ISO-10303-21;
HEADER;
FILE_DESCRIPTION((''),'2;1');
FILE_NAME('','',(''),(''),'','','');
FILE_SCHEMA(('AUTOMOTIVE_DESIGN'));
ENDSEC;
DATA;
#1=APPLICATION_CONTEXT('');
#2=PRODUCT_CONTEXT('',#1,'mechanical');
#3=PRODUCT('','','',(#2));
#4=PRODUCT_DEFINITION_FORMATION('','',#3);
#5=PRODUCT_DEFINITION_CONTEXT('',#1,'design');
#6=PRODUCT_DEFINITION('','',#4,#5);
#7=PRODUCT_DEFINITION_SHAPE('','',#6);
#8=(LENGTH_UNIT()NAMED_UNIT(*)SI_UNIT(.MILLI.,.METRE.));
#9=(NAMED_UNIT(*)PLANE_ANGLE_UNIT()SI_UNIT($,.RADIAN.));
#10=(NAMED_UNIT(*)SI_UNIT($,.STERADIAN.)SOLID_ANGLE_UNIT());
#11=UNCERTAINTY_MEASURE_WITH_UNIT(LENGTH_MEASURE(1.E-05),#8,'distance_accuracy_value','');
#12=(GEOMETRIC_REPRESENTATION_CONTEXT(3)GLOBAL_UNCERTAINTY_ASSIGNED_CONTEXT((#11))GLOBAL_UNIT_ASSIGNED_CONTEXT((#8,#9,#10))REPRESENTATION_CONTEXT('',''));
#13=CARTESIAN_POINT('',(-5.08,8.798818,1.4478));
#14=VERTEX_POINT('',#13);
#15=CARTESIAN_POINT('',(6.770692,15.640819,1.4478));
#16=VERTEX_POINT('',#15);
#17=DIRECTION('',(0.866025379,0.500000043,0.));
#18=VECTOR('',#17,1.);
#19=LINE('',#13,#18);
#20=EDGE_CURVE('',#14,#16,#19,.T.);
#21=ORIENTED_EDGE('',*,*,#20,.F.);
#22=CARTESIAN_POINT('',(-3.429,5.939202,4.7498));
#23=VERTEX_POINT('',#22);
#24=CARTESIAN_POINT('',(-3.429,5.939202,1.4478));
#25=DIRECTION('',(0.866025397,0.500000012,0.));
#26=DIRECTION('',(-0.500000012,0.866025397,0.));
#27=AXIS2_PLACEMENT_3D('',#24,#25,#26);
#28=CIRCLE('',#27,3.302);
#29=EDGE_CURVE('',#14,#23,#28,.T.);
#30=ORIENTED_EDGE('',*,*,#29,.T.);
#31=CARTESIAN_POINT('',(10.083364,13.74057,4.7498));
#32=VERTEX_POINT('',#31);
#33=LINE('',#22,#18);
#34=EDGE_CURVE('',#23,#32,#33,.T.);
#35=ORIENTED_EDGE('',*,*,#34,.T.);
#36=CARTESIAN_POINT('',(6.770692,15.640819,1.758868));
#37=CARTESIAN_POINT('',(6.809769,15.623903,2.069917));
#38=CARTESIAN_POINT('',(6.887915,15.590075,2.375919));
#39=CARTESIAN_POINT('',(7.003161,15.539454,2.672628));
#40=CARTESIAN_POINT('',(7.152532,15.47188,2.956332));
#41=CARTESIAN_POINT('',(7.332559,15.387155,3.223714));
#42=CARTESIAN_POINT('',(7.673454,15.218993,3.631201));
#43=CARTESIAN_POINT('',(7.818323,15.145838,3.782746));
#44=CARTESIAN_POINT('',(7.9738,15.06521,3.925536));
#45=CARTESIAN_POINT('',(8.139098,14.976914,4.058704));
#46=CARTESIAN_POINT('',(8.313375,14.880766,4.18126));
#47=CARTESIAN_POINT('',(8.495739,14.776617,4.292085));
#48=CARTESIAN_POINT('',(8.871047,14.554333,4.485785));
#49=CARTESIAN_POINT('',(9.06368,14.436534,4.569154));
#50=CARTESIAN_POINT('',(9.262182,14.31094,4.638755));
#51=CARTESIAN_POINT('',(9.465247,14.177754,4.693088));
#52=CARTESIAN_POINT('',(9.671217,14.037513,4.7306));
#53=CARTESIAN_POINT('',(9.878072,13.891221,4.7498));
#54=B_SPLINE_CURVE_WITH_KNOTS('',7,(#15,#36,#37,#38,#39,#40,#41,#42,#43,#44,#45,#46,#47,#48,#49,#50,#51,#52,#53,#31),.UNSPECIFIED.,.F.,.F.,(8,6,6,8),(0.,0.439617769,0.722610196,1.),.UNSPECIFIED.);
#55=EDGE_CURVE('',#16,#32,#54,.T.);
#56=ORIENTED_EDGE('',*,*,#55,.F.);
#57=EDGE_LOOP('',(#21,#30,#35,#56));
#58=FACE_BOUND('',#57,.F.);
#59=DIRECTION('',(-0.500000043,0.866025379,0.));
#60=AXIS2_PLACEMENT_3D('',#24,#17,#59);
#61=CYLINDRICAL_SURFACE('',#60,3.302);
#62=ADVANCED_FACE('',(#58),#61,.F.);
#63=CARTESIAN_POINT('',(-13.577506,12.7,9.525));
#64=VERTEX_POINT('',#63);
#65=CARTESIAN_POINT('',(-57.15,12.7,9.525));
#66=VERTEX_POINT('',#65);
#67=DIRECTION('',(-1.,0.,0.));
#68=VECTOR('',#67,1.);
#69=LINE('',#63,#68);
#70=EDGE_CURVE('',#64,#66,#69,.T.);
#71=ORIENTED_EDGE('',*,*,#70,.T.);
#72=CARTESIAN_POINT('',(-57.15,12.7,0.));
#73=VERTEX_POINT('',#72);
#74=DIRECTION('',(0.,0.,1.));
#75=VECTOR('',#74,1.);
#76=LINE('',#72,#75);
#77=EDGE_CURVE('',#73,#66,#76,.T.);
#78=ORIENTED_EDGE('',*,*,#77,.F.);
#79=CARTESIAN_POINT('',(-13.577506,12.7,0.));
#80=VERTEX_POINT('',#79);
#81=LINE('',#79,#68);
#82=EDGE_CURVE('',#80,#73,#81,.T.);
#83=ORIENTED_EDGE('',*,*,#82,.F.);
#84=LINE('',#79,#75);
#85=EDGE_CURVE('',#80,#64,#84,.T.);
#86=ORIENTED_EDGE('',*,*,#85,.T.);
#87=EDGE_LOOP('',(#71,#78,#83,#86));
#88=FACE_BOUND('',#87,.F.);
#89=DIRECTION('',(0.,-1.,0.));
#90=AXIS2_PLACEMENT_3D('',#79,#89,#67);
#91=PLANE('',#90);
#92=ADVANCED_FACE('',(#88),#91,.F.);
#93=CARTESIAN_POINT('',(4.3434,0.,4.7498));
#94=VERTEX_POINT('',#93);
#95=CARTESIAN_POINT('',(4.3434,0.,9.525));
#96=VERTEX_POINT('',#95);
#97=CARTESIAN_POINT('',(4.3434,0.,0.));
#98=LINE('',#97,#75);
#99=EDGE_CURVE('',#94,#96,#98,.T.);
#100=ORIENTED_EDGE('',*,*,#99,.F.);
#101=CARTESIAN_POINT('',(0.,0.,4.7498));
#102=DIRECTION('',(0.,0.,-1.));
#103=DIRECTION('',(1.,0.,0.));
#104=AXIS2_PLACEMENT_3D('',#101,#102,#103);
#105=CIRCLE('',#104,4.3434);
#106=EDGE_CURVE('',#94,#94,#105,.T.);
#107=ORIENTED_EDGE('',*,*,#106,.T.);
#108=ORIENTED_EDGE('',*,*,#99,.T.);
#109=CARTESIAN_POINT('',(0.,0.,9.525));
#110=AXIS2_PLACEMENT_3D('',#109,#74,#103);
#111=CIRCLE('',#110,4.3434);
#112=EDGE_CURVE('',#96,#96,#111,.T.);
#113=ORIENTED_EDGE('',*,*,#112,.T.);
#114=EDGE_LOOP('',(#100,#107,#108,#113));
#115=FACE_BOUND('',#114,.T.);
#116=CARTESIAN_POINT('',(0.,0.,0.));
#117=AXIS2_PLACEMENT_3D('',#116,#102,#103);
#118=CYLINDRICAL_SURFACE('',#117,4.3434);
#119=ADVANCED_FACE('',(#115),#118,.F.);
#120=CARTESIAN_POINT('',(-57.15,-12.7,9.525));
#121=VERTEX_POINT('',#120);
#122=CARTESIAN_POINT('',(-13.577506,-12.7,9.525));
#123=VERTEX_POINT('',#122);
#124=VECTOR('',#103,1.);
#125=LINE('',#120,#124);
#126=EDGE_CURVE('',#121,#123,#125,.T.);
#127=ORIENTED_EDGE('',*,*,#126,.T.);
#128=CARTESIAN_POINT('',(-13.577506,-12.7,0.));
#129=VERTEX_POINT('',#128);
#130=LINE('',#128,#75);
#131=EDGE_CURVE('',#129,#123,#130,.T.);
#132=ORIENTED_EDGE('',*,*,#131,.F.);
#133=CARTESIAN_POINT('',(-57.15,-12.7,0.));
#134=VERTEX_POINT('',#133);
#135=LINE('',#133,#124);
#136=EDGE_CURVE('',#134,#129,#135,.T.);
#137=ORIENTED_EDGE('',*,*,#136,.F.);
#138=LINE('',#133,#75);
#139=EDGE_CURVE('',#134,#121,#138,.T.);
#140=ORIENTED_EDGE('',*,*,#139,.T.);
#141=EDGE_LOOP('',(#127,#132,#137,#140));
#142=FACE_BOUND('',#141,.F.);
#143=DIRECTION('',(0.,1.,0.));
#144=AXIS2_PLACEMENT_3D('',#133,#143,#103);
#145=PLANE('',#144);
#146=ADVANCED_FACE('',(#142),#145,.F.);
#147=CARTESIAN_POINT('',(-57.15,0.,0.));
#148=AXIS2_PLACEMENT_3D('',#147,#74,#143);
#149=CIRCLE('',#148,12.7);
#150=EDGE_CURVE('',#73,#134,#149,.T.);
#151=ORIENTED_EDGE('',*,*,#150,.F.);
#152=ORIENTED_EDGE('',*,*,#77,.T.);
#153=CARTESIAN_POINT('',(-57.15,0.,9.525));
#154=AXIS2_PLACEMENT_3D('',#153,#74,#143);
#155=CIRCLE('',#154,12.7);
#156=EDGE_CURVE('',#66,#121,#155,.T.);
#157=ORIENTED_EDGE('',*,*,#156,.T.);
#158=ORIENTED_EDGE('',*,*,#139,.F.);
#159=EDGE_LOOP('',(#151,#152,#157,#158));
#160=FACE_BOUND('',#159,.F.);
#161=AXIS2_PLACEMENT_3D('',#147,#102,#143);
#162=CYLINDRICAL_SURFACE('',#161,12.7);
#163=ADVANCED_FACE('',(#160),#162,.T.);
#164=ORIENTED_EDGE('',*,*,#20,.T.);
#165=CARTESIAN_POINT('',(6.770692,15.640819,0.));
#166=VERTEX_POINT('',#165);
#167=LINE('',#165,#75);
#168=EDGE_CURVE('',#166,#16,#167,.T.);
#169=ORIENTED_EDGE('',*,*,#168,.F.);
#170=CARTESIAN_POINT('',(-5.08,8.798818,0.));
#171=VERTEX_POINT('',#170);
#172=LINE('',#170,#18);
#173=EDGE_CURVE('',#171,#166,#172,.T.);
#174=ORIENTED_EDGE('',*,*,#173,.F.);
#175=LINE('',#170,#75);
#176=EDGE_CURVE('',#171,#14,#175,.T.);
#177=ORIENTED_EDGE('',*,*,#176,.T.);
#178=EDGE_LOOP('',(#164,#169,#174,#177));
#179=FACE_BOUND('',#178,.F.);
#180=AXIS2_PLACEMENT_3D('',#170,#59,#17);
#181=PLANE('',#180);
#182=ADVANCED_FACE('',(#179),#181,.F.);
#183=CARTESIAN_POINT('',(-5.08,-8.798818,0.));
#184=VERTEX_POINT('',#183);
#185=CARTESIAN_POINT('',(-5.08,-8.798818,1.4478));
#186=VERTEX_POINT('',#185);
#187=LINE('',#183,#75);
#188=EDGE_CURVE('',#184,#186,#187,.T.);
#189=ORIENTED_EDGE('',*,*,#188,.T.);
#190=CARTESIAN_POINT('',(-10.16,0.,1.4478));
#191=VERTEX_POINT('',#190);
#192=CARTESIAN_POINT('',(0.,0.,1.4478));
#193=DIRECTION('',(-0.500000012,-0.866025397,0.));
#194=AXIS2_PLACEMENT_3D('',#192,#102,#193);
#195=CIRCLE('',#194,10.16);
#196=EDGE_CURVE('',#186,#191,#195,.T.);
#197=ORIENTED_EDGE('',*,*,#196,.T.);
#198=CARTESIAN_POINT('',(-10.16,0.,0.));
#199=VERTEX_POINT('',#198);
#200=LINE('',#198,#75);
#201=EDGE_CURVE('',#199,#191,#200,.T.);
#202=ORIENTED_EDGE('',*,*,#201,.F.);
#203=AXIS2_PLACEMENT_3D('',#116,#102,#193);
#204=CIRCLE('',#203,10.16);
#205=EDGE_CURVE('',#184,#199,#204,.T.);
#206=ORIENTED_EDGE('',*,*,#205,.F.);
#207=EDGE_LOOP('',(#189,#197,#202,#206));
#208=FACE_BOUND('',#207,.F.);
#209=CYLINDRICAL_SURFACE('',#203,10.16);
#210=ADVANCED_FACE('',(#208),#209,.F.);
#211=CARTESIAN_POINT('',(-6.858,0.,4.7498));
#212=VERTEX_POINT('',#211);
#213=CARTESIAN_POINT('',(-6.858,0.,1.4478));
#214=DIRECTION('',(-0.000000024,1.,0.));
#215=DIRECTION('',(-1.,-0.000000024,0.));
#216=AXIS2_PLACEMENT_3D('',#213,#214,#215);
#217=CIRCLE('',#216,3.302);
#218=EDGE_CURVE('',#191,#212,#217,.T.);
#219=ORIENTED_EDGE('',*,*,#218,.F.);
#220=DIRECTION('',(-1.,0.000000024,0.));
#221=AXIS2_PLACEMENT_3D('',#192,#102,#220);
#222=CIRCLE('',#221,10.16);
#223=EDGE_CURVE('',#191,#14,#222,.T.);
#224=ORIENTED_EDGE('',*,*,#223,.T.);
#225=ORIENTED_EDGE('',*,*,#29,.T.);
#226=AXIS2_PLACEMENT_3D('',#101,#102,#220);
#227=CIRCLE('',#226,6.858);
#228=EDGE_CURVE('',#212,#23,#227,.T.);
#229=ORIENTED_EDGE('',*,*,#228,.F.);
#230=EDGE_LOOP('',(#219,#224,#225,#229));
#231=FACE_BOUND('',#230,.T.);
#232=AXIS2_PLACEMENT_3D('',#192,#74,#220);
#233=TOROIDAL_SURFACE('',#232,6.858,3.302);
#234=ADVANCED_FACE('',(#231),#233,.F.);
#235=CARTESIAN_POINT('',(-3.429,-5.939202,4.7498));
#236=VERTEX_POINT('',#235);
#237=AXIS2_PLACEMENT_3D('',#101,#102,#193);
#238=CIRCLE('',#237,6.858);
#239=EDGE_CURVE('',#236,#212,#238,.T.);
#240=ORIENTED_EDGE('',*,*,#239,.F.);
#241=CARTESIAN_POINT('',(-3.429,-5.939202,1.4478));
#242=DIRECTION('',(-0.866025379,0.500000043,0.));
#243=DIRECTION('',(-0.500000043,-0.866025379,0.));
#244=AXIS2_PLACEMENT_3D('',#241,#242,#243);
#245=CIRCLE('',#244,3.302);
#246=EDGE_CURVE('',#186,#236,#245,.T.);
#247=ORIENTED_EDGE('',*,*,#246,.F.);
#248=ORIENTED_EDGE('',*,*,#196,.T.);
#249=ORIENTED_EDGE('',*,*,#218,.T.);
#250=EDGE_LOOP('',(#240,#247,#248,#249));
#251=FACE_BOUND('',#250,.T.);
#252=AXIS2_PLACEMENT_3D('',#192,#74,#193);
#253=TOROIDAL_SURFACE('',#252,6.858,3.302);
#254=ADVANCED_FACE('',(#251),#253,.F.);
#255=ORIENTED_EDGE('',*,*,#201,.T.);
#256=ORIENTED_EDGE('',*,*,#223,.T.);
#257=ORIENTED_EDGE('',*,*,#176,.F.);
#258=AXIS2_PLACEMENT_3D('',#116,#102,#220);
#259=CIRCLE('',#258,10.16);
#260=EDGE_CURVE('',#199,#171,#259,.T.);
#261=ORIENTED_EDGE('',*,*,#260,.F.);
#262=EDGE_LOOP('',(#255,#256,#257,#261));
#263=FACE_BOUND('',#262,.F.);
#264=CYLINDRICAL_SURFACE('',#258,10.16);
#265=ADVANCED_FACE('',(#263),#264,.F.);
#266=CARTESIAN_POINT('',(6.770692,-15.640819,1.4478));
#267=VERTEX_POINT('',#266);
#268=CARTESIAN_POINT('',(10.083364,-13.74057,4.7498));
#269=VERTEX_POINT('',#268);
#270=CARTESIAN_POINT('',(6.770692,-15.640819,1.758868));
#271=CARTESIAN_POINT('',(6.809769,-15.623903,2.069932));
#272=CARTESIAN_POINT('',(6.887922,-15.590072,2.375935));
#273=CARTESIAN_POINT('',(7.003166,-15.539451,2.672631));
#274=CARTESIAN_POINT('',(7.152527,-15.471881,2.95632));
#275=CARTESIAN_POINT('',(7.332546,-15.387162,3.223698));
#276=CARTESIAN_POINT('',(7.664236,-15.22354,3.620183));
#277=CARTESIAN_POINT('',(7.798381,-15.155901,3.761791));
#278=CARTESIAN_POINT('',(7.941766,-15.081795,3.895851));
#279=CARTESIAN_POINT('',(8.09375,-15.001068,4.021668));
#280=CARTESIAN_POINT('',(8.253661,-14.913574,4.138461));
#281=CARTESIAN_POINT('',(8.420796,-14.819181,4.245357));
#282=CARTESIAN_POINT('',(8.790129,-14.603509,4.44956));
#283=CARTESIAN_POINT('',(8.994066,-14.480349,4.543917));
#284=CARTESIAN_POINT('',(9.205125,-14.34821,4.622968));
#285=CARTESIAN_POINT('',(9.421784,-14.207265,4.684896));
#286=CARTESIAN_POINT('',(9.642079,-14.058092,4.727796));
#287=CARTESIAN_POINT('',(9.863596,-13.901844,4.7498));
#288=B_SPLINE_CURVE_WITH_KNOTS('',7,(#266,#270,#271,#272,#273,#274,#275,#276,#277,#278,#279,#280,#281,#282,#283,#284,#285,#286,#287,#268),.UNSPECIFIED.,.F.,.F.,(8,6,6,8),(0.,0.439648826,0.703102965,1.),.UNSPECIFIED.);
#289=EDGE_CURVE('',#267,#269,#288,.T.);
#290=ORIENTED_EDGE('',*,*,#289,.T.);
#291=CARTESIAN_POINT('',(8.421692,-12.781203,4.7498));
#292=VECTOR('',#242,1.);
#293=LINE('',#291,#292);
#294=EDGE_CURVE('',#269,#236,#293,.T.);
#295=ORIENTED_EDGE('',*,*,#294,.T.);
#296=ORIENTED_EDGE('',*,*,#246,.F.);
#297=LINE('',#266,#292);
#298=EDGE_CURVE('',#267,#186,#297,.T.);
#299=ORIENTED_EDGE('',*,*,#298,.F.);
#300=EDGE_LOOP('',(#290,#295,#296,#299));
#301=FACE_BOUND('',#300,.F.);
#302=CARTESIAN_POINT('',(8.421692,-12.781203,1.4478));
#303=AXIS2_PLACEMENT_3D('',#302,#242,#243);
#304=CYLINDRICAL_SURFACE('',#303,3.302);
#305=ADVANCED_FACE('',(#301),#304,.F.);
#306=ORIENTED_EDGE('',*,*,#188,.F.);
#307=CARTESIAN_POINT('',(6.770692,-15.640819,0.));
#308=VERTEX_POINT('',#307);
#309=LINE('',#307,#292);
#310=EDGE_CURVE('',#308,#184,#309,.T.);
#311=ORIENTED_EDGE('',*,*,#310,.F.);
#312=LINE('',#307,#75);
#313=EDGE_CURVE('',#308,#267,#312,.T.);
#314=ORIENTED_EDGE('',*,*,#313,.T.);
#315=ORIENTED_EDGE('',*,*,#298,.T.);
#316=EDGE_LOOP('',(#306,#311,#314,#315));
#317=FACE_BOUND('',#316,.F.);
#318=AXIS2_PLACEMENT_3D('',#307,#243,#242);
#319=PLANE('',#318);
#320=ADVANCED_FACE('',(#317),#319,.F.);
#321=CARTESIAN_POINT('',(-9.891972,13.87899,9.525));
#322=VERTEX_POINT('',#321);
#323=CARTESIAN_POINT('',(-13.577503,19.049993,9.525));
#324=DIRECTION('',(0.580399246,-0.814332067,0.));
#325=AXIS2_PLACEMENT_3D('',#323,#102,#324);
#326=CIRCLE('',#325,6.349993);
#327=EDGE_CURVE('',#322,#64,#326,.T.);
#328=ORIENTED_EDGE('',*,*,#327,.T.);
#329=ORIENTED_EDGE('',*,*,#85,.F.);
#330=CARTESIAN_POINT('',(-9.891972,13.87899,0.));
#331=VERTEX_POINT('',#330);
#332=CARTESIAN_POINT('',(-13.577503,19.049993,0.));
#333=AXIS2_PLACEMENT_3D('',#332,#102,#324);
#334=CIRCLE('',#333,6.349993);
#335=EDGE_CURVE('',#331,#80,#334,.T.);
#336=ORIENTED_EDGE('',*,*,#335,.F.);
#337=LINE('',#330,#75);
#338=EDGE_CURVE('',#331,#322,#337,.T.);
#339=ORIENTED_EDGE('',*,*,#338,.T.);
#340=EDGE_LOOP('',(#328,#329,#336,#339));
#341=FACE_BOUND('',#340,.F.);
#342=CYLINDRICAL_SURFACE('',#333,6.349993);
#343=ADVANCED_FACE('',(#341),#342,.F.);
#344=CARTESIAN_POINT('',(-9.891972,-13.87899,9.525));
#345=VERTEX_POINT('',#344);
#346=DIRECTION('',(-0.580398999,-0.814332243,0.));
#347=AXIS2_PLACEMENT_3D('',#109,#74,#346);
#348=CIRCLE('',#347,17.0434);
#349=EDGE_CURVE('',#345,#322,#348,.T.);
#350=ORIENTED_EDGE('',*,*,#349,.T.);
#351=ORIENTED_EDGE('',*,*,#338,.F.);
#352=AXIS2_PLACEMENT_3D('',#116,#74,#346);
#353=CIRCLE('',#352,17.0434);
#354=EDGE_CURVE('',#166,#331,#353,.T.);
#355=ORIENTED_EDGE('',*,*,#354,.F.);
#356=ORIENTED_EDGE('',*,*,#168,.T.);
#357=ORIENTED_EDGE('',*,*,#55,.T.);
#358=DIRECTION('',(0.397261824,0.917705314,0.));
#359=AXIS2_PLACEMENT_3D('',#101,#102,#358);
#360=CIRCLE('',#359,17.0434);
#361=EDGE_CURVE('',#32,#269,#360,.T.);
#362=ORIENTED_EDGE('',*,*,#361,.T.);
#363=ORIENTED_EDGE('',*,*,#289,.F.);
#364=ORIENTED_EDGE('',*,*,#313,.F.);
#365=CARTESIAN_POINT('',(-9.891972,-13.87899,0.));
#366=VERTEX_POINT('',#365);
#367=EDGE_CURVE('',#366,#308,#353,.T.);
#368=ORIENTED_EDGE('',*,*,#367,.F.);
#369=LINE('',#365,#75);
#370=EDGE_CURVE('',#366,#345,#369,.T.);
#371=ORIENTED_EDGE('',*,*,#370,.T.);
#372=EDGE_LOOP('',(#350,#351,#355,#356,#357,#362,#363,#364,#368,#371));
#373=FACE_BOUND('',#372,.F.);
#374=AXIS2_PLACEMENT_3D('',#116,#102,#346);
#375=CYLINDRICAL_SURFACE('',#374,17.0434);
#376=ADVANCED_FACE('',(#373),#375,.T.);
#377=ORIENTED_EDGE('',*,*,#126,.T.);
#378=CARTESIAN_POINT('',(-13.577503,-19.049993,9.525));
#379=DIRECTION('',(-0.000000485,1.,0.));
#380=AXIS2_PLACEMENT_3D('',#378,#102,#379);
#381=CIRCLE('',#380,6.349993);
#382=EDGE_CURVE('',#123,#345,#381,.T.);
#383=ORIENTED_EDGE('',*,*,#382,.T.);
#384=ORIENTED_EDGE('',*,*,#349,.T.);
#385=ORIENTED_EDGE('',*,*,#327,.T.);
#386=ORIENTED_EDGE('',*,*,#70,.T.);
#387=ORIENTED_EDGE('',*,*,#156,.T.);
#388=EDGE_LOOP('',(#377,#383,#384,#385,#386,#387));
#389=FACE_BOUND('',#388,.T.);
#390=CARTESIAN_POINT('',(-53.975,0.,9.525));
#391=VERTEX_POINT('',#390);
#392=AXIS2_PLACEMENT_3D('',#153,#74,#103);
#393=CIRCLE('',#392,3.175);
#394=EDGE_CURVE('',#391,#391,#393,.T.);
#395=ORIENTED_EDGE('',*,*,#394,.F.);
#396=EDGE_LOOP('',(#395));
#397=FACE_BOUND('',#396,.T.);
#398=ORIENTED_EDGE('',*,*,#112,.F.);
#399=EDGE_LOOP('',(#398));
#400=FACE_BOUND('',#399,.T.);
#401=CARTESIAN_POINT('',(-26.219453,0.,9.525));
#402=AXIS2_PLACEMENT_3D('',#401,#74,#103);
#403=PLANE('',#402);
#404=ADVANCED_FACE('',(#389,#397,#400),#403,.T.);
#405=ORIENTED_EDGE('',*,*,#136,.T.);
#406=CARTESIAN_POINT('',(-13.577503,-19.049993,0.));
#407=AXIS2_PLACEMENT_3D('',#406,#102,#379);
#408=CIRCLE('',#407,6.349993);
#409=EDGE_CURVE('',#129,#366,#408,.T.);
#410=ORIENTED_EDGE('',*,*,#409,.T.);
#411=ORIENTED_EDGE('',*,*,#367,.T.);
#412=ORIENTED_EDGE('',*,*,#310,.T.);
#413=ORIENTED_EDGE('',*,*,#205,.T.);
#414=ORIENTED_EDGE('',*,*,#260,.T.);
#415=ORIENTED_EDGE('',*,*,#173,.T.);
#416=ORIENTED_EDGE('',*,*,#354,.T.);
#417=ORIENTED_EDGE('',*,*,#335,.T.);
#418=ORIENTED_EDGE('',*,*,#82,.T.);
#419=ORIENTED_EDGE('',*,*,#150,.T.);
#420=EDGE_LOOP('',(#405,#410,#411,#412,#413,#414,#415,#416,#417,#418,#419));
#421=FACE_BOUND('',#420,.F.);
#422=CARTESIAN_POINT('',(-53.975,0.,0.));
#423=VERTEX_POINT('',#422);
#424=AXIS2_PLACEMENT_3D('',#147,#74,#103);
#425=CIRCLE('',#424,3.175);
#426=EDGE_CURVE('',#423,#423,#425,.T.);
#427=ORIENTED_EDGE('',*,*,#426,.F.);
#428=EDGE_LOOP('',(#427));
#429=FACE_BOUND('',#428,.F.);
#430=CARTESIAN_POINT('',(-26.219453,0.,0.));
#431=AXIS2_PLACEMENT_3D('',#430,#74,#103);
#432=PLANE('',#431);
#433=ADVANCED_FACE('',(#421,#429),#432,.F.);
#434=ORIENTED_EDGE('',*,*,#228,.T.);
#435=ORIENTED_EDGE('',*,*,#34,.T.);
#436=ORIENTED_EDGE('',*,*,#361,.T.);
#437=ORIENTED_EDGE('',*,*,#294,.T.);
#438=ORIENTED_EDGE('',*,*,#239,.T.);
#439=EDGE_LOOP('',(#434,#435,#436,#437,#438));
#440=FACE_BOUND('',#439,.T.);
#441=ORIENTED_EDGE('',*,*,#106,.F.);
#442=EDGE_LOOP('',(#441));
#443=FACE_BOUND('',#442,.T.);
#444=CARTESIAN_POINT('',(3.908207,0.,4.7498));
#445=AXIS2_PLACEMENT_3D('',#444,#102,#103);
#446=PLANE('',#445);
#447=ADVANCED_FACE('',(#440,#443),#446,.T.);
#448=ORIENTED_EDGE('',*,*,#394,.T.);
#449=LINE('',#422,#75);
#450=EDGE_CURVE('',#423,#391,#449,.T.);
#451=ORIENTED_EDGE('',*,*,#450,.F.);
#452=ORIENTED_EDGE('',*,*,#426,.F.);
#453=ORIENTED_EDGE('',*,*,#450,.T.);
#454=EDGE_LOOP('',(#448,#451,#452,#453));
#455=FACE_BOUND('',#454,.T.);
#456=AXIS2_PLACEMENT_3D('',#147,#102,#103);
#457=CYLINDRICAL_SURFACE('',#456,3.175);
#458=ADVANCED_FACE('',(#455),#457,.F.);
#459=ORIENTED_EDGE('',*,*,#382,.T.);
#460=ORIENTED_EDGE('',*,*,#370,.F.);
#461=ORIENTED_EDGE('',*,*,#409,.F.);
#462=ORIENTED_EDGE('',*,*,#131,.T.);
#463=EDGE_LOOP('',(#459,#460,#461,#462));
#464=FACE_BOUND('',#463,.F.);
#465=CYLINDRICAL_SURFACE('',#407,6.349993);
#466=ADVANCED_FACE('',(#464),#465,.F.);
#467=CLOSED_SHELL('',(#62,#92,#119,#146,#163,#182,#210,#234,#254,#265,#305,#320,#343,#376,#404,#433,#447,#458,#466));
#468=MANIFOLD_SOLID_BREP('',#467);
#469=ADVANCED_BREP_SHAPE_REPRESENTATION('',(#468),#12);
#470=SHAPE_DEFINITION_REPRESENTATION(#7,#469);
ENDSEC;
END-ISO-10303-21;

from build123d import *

# Parameters (mm, degrees)
F0_R     = 3.175
F0_R_2   = 4.3434
F1_DEPTH = 9.525
F2_R     = 4.3434
F3_DEPTH = 4.7498
F4_R     = 3.302


with BuildPart() as f1:
    # F0 (on Top) → F1 (new body)
    with BuildSketch(Plane.XY):
        with BuildLine():
            ThreePointArc((-13.577506, -12.7), (-11.642746, -13.001925), (-9.891972, -13.87899))
            ThreePointArc((-9.891972, -13.87899), (17.0434, 0), (-9.891972, 13.87899))
            ThreePointArc((-9.891972, 13.87899), (-11.642746, 13.001925), (-13.577506, 12.7))
            Line((-13.577506, 12.7), (-57.15, 12.7))
            ThreePointArc((-57.15, 12.7), (-69.85, 0), (-57.15, -12.7))
            Line((-57.15, -12.7), (-13.577506, -12.7))
        make_face()
        with Locations((-57.15, 0)):
            Circle(F0_R, mode=Mode.SUBTRACT)
        Circle(F0_R_2, mode=Mode.SUBTRACT)
    extrude(amount=F1_DEPTH)

    # F2 (on face) → F3 (cut)
    with BuildSketch(Plane(origin=(0, 0, 0), x_dir=(1, 0, 0), z_dir=(0, 0, -1))):
        with BuildLine():
            Line((6.770692, 15.640819), (-5.08, 8.798818))
            ThreePointArc((-5.08, 8.798818), (-8.798818, 5.08), (-10.16, 0))
            ThreePointArc((-10.16, 0), (-8.798818, -5.08), (-5.08, -8.798818))
            Line((-5.08, -8.798818), (6.770692, -15.640819))
            ThreePointArc((6.770692, -15.640819), (17.0434, 0), (6.770692, 15.640819))
        make_face()
        Circle(F2_R, mode=Mode.SUBTRACT)
    extrude(amount=-F3_DEPTH, mode=Mode.SUBTRACT)

    # F4
    f4_edges = [f1.edges().sort_by_distance(p)[0] for p in [
        (0.845346, -12.219818, 4.7498),
    ]]
    fillet(f4_edges, radius=F4_R)


solid = f1.part
